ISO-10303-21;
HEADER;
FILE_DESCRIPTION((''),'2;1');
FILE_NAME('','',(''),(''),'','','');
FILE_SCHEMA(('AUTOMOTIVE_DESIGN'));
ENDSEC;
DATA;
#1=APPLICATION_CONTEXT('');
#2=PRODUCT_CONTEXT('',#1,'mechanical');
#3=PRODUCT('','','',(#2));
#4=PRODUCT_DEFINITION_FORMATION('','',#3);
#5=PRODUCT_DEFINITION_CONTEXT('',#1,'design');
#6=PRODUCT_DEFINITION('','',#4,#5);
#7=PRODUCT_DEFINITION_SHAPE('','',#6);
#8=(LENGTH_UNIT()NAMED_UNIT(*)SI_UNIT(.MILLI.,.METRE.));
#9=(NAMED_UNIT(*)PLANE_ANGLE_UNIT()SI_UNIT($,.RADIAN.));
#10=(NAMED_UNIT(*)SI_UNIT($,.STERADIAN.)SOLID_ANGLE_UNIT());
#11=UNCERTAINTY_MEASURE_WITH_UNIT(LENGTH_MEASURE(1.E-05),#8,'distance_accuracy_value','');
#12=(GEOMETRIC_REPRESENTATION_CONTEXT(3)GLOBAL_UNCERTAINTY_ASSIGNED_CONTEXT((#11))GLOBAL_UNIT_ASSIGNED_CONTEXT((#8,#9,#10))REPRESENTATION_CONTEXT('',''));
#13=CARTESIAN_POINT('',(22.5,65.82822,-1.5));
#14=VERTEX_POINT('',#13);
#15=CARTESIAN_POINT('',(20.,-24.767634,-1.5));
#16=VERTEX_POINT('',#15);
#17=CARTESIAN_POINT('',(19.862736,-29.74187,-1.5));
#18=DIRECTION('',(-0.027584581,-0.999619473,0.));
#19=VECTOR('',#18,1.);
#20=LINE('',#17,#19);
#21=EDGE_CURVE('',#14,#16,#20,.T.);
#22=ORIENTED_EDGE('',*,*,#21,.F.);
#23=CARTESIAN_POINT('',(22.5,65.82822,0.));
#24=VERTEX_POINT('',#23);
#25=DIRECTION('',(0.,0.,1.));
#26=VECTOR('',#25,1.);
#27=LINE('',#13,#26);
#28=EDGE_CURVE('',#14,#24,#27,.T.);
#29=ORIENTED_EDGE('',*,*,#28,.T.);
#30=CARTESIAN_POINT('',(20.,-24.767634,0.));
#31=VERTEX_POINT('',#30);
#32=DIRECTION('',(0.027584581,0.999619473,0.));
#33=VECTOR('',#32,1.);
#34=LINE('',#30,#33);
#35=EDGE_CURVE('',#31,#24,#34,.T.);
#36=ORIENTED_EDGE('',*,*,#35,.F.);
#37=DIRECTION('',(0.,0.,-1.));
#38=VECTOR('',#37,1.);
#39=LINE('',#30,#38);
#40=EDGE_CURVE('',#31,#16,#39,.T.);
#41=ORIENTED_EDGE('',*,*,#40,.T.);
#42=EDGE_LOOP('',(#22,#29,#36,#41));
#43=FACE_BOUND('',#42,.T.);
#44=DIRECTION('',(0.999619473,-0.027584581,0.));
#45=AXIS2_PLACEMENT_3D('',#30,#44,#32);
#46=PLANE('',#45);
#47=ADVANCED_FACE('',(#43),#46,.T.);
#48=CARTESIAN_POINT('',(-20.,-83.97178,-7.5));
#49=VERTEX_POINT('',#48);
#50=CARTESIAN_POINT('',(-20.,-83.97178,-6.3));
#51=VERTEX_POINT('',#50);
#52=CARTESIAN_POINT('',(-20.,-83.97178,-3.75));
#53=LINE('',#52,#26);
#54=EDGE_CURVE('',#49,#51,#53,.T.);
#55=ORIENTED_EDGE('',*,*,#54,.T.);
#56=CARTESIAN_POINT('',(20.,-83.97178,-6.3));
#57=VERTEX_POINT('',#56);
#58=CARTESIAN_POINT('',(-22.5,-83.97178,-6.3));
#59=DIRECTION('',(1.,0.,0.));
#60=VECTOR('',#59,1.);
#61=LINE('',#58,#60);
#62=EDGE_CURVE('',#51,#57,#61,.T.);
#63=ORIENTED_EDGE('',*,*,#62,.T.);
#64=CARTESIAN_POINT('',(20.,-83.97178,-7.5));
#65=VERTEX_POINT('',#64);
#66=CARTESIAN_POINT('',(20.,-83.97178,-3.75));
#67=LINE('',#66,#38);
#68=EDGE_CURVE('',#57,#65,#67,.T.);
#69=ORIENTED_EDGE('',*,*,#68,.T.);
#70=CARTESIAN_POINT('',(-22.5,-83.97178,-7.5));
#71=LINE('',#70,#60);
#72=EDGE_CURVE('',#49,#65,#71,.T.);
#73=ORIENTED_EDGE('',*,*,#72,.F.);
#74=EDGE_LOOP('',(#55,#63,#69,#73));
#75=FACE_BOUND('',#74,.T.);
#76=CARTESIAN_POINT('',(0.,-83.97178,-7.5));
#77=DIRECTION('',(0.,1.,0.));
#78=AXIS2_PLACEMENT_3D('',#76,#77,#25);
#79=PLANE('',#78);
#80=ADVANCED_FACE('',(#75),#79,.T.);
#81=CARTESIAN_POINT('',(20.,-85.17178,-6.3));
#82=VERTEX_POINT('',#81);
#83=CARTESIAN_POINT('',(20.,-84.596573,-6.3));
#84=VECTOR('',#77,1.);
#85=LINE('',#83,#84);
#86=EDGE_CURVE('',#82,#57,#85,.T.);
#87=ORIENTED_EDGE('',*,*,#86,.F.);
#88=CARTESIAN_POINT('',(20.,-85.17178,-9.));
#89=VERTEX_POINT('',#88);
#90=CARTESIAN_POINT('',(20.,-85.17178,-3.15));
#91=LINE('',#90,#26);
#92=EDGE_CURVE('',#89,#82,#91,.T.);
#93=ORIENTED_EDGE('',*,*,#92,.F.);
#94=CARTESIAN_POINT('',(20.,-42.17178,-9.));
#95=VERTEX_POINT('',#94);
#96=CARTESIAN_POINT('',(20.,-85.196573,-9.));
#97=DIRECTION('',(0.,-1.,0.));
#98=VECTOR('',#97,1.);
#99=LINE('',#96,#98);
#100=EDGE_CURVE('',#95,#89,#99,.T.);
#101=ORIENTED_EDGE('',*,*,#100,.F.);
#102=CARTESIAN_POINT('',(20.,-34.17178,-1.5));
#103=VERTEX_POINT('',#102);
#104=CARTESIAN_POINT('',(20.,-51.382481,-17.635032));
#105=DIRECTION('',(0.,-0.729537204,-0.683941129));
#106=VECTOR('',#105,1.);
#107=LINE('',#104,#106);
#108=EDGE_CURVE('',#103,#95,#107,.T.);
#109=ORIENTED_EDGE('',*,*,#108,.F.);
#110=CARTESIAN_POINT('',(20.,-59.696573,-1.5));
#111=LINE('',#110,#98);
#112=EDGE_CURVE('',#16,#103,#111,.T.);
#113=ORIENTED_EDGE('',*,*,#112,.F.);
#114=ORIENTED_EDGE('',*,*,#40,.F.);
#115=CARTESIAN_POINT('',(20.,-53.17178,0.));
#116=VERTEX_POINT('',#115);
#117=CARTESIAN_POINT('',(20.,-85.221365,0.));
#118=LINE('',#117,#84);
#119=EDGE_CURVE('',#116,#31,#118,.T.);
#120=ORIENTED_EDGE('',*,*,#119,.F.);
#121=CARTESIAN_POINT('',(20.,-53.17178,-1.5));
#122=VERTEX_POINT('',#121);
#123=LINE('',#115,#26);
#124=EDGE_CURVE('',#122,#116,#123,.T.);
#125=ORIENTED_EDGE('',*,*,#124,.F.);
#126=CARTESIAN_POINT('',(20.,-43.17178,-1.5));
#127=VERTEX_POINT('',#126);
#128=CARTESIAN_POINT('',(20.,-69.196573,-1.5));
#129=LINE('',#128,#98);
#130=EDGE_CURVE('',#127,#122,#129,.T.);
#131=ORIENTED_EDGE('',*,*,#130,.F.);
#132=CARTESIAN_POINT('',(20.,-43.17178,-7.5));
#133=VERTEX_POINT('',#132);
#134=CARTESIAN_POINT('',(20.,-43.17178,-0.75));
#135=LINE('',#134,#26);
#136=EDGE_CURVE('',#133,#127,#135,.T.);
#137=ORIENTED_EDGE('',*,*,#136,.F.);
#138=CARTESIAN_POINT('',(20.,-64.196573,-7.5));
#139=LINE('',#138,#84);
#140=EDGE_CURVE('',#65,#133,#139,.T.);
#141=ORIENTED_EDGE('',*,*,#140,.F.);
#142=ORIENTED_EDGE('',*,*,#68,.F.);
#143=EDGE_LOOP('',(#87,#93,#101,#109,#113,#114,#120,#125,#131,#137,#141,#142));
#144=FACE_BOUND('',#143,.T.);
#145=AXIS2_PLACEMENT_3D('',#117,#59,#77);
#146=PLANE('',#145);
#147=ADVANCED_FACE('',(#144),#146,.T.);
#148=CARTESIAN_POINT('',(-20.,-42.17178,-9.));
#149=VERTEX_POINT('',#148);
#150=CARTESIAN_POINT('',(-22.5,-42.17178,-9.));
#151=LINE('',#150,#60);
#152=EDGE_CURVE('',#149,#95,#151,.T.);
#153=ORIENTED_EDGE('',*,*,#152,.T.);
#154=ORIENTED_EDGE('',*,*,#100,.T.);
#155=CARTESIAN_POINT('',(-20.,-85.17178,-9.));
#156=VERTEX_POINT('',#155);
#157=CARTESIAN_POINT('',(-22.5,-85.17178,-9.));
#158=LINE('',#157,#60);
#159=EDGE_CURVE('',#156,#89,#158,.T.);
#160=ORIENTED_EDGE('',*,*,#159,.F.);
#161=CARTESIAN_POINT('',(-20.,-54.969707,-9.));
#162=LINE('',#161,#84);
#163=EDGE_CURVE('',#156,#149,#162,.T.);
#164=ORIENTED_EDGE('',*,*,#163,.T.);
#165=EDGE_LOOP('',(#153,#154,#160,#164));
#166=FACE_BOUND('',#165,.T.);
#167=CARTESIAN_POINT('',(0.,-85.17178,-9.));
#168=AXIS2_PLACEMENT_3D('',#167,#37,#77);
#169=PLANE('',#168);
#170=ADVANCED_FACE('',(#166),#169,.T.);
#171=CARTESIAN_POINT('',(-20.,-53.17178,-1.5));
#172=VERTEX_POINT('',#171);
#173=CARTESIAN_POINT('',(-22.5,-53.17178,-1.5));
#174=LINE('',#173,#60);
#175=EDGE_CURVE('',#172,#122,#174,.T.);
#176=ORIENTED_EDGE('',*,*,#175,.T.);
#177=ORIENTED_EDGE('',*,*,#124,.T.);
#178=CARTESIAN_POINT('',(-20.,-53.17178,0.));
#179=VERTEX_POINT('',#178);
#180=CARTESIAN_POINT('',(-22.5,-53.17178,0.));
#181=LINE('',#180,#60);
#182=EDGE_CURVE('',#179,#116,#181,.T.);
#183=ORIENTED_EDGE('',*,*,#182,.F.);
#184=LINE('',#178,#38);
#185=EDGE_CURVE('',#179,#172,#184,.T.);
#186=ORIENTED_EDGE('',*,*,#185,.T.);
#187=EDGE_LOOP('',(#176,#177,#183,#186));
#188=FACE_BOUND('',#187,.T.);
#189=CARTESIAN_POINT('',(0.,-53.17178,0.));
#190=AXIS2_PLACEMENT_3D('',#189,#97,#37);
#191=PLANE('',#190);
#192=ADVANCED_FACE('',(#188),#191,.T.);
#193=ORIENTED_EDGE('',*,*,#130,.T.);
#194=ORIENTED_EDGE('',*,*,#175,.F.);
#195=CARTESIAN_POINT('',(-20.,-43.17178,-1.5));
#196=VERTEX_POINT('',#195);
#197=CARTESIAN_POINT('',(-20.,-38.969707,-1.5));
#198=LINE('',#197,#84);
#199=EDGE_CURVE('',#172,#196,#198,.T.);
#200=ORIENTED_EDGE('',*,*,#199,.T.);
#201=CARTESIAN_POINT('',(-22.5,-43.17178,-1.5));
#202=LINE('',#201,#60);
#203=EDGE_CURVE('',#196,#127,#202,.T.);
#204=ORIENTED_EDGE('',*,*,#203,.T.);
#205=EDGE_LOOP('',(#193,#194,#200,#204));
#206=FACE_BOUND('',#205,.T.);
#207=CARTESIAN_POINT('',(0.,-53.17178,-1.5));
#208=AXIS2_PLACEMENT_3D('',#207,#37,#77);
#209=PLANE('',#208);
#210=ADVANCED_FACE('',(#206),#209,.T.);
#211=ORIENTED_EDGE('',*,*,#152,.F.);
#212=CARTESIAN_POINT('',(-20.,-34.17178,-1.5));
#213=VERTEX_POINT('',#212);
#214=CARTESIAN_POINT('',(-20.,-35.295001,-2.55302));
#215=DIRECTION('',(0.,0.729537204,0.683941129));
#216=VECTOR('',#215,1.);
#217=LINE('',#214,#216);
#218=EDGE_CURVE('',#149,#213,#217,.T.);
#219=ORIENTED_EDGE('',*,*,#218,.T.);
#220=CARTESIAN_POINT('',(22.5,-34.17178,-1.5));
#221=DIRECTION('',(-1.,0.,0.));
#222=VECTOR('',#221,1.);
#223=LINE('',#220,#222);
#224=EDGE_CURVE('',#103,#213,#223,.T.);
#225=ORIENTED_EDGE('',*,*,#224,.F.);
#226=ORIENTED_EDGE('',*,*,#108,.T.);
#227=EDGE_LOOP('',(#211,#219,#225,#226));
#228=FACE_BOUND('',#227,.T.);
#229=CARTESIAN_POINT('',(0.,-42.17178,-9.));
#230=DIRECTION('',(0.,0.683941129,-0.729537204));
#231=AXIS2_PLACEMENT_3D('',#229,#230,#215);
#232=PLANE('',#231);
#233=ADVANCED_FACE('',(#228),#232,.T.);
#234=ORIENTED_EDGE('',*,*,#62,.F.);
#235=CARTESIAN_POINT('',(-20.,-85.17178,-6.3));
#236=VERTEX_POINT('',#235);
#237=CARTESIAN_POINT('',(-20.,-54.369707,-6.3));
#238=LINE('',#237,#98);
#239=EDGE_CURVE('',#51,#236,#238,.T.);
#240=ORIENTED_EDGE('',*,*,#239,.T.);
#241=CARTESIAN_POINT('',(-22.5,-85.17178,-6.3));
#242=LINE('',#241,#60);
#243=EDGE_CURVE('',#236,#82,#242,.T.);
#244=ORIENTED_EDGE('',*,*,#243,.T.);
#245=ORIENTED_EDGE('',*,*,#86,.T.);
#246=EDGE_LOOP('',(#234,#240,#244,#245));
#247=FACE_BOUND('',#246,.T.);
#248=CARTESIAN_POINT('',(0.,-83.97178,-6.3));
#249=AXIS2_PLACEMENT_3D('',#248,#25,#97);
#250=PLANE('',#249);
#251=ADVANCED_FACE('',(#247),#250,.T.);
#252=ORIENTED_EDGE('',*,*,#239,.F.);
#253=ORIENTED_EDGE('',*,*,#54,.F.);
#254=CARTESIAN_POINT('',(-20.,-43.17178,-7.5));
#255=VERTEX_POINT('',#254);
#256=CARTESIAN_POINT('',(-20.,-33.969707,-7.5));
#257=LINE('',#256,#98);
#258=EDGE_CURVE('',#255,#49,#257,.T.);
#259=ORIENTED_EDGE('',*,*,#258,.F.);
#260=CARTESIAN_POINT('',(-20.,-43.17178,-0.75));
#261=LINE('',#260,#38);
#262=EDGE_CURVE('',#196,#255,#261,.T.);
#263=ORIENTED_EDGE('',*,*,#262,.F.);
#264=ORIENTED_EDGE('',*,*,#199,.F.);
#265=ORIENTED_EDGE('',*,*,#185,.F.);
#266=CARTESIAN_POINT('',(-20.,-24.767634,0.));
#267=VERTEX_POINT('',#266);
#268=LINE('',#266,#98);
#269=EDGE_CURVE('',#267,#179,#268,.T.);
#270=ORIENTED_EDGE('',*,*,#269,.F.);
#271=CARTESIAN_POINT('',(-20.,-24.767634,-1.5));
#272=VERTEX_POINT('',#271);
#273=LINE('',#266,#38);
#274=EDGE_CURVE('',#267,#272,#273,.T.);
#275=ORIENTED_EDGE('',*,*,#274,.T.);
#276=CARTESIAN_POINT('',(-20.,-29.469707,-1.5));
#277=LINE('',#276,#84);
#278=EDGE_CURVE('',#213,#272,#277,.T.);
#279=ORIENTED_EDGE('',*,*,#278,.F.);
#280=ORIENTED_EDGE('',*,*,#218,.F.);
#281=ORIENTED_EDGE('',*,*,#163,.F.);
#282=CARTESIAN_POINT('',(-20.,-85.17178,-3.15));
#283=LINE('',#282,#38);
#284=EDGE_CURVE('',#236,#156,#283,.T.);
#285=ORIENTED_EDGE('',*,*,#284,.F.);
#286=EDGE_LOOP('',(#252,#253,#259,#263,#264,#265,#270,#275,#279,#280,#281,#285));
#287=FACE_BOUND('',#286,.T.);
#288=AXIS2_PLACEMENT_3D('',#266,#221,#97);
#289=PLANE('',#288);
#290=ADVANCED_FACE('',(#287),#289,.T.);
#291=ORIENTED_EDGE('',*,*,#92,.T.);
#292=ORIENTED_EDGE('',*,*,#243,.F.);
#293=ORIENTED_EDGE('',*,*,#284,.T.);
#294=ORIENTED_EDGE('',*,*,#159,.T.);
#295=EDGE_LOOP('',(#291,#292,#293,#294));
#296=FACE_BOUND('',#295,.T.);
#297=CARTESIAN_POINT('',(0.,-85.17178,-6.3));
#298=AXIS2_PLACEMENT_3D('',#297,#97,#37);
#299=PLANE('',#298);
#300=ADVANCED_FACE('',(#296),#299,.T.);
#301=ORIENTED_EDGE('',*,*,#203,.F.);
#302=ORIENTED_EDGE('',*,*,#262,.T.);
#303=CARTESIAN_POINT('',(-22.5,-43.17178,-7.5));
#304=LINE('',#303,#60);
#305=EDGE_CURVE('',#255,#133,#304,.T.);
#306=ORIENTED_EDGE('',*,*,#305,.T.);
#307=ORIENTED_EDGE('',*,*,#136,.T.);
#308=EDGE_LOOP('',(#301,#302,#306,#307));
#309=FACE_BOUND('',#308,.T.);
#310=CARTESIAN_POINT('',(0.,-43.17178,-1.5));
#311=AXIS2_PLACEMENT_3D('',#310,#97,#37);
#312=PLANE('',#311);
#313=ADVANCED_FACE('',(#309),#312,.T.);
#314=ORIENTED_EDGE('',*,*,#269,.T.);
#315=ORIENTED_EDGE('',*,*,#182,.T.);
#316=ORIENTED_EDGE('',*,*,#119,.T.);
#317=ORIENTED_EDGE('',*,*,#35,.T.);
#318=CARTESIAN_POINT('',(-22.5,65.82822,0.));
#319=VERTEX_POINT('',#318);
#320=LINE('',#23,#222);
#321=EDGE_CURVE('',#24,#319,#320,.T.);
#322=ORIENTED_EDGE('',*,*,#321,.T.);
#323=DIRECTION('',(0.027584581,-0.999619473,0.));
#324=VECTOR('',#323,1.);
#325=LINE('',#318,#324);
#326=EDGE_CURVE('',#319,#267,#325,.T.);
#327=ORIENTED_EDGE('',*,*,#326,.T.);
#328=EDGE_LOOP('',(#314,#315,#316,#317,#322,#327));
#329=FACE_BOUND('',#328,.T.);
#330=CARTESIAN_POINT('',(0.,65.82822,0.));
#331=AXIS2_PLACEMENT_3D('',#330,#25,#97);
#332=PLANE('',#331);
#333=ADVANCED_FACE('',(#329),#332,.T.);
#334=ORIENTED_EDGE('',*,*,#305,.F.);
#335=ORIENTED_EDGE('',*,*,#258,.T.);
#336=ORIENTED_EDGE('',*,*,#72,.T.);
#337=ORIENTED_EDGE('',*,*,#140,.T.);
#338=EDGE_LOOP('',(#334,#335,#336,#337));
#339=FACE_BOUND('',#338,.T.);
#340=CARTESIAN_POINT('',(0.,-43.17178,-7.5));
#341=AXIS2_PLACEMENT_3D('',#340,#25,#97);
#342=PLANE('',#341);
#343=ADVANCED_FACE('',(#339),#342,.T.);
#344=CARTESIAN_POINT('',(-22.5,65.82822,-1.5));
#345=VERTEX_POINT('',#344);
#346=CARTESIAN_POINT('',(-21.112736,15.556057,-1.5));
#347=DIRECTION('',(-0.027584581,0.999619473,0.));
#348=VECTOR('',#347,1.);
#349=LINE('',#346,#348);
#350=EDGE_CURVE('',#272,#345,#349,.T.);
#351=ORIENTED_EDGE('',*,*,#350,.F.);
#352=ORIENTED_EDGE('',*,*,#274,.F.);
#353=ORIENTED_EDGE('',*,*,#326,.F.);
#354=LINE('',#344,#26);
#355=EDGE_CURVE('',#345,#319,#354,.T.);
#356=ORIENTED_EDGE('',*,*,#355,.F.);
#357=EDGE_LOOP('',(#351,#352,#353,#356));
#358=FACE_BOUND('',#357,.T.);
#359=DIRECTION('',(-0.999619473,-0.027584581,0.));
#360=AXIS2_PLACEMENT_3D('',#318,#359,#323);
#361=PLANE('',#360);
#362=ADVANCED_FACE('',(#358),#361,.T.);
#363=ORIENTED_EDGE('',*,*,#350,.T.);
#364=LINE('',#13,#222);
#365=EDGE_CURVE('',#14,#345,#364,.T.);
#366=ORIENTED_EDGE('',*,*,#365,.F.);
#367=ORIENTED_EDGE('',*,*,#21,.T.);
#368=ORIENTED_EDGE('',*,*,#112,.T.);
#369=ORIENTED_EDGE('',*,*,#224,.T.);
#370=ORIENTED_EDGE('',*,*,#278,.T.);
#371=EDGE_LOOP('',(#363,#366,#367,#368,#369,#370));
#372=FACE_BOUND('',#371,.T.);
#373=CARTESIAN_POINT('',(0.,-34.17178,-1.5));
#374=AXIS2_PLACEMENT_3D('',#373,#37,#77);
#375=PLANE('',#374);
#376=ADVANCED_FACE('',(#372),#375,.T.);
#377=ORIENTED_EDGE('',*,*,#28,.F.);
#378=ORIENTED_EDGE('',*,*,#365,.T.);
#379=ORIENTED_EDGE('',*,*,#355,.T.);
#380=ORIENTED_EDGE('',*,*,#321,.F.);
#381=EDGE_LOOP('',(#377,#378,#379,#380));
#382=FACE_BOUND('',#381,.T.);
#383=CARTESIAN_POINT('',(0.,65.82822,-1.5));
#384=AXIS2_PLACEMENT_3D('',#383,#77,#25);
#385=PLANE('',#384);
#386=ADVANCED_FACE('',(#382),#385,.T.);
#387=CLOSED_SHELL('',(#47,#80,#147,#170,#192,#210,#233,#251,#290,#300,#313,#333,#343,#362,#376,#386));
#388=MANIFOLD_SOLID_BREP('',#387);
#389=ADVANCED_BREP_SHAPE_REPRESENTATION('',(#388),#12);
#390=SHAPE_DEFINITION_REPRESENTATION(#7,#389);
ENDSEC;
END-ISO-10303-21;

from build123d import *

# Parameters (mm, degrees)
F1_DEPTH = 22.5
F2_W     = 40
F2_H     = 32.0495848726
F3_DEPTH = 25


with BuildPart() as f1:
    # F0 (on Right) → F1 (new body, symmetric)
    with BuildSketch(Plane.YZ):
        Polygon((65.8282197913, 0), (-53.1717802216, 0), (-53.1717802216, -1.5), (-43.1717802087, -1.5), (-43.1717802087, -7.5), (-83.9717802087, -7.5), (-83.9717802087, -6.3), (-85.1717802087, -6.3), (-85.1717802087, -9), (-42.1717802087, -9), (-34.1717802087, -1.5), (65.8282197913, -1.5), align=None)
    extrude(amount=F1_DEPTH, both=True)

    # F2 (on face) → F3 (intersect)
    with BuildSketch(Plane.XY):
        Polygon((22.5, 65.8282197913), (-22.5, 65.8282197913), (-20, -24.7676335275), (-20, -53.1717802216), (20, -53.1717802216), (20, -24.7676335275), align=None)
        with Locations((0, -69.1965726579)):
            Rectangle(F2_W, F2_H)
    extrude(amount=-F3_DEPTH, mode=Mode.INTERSECT)


solid = f1.part
